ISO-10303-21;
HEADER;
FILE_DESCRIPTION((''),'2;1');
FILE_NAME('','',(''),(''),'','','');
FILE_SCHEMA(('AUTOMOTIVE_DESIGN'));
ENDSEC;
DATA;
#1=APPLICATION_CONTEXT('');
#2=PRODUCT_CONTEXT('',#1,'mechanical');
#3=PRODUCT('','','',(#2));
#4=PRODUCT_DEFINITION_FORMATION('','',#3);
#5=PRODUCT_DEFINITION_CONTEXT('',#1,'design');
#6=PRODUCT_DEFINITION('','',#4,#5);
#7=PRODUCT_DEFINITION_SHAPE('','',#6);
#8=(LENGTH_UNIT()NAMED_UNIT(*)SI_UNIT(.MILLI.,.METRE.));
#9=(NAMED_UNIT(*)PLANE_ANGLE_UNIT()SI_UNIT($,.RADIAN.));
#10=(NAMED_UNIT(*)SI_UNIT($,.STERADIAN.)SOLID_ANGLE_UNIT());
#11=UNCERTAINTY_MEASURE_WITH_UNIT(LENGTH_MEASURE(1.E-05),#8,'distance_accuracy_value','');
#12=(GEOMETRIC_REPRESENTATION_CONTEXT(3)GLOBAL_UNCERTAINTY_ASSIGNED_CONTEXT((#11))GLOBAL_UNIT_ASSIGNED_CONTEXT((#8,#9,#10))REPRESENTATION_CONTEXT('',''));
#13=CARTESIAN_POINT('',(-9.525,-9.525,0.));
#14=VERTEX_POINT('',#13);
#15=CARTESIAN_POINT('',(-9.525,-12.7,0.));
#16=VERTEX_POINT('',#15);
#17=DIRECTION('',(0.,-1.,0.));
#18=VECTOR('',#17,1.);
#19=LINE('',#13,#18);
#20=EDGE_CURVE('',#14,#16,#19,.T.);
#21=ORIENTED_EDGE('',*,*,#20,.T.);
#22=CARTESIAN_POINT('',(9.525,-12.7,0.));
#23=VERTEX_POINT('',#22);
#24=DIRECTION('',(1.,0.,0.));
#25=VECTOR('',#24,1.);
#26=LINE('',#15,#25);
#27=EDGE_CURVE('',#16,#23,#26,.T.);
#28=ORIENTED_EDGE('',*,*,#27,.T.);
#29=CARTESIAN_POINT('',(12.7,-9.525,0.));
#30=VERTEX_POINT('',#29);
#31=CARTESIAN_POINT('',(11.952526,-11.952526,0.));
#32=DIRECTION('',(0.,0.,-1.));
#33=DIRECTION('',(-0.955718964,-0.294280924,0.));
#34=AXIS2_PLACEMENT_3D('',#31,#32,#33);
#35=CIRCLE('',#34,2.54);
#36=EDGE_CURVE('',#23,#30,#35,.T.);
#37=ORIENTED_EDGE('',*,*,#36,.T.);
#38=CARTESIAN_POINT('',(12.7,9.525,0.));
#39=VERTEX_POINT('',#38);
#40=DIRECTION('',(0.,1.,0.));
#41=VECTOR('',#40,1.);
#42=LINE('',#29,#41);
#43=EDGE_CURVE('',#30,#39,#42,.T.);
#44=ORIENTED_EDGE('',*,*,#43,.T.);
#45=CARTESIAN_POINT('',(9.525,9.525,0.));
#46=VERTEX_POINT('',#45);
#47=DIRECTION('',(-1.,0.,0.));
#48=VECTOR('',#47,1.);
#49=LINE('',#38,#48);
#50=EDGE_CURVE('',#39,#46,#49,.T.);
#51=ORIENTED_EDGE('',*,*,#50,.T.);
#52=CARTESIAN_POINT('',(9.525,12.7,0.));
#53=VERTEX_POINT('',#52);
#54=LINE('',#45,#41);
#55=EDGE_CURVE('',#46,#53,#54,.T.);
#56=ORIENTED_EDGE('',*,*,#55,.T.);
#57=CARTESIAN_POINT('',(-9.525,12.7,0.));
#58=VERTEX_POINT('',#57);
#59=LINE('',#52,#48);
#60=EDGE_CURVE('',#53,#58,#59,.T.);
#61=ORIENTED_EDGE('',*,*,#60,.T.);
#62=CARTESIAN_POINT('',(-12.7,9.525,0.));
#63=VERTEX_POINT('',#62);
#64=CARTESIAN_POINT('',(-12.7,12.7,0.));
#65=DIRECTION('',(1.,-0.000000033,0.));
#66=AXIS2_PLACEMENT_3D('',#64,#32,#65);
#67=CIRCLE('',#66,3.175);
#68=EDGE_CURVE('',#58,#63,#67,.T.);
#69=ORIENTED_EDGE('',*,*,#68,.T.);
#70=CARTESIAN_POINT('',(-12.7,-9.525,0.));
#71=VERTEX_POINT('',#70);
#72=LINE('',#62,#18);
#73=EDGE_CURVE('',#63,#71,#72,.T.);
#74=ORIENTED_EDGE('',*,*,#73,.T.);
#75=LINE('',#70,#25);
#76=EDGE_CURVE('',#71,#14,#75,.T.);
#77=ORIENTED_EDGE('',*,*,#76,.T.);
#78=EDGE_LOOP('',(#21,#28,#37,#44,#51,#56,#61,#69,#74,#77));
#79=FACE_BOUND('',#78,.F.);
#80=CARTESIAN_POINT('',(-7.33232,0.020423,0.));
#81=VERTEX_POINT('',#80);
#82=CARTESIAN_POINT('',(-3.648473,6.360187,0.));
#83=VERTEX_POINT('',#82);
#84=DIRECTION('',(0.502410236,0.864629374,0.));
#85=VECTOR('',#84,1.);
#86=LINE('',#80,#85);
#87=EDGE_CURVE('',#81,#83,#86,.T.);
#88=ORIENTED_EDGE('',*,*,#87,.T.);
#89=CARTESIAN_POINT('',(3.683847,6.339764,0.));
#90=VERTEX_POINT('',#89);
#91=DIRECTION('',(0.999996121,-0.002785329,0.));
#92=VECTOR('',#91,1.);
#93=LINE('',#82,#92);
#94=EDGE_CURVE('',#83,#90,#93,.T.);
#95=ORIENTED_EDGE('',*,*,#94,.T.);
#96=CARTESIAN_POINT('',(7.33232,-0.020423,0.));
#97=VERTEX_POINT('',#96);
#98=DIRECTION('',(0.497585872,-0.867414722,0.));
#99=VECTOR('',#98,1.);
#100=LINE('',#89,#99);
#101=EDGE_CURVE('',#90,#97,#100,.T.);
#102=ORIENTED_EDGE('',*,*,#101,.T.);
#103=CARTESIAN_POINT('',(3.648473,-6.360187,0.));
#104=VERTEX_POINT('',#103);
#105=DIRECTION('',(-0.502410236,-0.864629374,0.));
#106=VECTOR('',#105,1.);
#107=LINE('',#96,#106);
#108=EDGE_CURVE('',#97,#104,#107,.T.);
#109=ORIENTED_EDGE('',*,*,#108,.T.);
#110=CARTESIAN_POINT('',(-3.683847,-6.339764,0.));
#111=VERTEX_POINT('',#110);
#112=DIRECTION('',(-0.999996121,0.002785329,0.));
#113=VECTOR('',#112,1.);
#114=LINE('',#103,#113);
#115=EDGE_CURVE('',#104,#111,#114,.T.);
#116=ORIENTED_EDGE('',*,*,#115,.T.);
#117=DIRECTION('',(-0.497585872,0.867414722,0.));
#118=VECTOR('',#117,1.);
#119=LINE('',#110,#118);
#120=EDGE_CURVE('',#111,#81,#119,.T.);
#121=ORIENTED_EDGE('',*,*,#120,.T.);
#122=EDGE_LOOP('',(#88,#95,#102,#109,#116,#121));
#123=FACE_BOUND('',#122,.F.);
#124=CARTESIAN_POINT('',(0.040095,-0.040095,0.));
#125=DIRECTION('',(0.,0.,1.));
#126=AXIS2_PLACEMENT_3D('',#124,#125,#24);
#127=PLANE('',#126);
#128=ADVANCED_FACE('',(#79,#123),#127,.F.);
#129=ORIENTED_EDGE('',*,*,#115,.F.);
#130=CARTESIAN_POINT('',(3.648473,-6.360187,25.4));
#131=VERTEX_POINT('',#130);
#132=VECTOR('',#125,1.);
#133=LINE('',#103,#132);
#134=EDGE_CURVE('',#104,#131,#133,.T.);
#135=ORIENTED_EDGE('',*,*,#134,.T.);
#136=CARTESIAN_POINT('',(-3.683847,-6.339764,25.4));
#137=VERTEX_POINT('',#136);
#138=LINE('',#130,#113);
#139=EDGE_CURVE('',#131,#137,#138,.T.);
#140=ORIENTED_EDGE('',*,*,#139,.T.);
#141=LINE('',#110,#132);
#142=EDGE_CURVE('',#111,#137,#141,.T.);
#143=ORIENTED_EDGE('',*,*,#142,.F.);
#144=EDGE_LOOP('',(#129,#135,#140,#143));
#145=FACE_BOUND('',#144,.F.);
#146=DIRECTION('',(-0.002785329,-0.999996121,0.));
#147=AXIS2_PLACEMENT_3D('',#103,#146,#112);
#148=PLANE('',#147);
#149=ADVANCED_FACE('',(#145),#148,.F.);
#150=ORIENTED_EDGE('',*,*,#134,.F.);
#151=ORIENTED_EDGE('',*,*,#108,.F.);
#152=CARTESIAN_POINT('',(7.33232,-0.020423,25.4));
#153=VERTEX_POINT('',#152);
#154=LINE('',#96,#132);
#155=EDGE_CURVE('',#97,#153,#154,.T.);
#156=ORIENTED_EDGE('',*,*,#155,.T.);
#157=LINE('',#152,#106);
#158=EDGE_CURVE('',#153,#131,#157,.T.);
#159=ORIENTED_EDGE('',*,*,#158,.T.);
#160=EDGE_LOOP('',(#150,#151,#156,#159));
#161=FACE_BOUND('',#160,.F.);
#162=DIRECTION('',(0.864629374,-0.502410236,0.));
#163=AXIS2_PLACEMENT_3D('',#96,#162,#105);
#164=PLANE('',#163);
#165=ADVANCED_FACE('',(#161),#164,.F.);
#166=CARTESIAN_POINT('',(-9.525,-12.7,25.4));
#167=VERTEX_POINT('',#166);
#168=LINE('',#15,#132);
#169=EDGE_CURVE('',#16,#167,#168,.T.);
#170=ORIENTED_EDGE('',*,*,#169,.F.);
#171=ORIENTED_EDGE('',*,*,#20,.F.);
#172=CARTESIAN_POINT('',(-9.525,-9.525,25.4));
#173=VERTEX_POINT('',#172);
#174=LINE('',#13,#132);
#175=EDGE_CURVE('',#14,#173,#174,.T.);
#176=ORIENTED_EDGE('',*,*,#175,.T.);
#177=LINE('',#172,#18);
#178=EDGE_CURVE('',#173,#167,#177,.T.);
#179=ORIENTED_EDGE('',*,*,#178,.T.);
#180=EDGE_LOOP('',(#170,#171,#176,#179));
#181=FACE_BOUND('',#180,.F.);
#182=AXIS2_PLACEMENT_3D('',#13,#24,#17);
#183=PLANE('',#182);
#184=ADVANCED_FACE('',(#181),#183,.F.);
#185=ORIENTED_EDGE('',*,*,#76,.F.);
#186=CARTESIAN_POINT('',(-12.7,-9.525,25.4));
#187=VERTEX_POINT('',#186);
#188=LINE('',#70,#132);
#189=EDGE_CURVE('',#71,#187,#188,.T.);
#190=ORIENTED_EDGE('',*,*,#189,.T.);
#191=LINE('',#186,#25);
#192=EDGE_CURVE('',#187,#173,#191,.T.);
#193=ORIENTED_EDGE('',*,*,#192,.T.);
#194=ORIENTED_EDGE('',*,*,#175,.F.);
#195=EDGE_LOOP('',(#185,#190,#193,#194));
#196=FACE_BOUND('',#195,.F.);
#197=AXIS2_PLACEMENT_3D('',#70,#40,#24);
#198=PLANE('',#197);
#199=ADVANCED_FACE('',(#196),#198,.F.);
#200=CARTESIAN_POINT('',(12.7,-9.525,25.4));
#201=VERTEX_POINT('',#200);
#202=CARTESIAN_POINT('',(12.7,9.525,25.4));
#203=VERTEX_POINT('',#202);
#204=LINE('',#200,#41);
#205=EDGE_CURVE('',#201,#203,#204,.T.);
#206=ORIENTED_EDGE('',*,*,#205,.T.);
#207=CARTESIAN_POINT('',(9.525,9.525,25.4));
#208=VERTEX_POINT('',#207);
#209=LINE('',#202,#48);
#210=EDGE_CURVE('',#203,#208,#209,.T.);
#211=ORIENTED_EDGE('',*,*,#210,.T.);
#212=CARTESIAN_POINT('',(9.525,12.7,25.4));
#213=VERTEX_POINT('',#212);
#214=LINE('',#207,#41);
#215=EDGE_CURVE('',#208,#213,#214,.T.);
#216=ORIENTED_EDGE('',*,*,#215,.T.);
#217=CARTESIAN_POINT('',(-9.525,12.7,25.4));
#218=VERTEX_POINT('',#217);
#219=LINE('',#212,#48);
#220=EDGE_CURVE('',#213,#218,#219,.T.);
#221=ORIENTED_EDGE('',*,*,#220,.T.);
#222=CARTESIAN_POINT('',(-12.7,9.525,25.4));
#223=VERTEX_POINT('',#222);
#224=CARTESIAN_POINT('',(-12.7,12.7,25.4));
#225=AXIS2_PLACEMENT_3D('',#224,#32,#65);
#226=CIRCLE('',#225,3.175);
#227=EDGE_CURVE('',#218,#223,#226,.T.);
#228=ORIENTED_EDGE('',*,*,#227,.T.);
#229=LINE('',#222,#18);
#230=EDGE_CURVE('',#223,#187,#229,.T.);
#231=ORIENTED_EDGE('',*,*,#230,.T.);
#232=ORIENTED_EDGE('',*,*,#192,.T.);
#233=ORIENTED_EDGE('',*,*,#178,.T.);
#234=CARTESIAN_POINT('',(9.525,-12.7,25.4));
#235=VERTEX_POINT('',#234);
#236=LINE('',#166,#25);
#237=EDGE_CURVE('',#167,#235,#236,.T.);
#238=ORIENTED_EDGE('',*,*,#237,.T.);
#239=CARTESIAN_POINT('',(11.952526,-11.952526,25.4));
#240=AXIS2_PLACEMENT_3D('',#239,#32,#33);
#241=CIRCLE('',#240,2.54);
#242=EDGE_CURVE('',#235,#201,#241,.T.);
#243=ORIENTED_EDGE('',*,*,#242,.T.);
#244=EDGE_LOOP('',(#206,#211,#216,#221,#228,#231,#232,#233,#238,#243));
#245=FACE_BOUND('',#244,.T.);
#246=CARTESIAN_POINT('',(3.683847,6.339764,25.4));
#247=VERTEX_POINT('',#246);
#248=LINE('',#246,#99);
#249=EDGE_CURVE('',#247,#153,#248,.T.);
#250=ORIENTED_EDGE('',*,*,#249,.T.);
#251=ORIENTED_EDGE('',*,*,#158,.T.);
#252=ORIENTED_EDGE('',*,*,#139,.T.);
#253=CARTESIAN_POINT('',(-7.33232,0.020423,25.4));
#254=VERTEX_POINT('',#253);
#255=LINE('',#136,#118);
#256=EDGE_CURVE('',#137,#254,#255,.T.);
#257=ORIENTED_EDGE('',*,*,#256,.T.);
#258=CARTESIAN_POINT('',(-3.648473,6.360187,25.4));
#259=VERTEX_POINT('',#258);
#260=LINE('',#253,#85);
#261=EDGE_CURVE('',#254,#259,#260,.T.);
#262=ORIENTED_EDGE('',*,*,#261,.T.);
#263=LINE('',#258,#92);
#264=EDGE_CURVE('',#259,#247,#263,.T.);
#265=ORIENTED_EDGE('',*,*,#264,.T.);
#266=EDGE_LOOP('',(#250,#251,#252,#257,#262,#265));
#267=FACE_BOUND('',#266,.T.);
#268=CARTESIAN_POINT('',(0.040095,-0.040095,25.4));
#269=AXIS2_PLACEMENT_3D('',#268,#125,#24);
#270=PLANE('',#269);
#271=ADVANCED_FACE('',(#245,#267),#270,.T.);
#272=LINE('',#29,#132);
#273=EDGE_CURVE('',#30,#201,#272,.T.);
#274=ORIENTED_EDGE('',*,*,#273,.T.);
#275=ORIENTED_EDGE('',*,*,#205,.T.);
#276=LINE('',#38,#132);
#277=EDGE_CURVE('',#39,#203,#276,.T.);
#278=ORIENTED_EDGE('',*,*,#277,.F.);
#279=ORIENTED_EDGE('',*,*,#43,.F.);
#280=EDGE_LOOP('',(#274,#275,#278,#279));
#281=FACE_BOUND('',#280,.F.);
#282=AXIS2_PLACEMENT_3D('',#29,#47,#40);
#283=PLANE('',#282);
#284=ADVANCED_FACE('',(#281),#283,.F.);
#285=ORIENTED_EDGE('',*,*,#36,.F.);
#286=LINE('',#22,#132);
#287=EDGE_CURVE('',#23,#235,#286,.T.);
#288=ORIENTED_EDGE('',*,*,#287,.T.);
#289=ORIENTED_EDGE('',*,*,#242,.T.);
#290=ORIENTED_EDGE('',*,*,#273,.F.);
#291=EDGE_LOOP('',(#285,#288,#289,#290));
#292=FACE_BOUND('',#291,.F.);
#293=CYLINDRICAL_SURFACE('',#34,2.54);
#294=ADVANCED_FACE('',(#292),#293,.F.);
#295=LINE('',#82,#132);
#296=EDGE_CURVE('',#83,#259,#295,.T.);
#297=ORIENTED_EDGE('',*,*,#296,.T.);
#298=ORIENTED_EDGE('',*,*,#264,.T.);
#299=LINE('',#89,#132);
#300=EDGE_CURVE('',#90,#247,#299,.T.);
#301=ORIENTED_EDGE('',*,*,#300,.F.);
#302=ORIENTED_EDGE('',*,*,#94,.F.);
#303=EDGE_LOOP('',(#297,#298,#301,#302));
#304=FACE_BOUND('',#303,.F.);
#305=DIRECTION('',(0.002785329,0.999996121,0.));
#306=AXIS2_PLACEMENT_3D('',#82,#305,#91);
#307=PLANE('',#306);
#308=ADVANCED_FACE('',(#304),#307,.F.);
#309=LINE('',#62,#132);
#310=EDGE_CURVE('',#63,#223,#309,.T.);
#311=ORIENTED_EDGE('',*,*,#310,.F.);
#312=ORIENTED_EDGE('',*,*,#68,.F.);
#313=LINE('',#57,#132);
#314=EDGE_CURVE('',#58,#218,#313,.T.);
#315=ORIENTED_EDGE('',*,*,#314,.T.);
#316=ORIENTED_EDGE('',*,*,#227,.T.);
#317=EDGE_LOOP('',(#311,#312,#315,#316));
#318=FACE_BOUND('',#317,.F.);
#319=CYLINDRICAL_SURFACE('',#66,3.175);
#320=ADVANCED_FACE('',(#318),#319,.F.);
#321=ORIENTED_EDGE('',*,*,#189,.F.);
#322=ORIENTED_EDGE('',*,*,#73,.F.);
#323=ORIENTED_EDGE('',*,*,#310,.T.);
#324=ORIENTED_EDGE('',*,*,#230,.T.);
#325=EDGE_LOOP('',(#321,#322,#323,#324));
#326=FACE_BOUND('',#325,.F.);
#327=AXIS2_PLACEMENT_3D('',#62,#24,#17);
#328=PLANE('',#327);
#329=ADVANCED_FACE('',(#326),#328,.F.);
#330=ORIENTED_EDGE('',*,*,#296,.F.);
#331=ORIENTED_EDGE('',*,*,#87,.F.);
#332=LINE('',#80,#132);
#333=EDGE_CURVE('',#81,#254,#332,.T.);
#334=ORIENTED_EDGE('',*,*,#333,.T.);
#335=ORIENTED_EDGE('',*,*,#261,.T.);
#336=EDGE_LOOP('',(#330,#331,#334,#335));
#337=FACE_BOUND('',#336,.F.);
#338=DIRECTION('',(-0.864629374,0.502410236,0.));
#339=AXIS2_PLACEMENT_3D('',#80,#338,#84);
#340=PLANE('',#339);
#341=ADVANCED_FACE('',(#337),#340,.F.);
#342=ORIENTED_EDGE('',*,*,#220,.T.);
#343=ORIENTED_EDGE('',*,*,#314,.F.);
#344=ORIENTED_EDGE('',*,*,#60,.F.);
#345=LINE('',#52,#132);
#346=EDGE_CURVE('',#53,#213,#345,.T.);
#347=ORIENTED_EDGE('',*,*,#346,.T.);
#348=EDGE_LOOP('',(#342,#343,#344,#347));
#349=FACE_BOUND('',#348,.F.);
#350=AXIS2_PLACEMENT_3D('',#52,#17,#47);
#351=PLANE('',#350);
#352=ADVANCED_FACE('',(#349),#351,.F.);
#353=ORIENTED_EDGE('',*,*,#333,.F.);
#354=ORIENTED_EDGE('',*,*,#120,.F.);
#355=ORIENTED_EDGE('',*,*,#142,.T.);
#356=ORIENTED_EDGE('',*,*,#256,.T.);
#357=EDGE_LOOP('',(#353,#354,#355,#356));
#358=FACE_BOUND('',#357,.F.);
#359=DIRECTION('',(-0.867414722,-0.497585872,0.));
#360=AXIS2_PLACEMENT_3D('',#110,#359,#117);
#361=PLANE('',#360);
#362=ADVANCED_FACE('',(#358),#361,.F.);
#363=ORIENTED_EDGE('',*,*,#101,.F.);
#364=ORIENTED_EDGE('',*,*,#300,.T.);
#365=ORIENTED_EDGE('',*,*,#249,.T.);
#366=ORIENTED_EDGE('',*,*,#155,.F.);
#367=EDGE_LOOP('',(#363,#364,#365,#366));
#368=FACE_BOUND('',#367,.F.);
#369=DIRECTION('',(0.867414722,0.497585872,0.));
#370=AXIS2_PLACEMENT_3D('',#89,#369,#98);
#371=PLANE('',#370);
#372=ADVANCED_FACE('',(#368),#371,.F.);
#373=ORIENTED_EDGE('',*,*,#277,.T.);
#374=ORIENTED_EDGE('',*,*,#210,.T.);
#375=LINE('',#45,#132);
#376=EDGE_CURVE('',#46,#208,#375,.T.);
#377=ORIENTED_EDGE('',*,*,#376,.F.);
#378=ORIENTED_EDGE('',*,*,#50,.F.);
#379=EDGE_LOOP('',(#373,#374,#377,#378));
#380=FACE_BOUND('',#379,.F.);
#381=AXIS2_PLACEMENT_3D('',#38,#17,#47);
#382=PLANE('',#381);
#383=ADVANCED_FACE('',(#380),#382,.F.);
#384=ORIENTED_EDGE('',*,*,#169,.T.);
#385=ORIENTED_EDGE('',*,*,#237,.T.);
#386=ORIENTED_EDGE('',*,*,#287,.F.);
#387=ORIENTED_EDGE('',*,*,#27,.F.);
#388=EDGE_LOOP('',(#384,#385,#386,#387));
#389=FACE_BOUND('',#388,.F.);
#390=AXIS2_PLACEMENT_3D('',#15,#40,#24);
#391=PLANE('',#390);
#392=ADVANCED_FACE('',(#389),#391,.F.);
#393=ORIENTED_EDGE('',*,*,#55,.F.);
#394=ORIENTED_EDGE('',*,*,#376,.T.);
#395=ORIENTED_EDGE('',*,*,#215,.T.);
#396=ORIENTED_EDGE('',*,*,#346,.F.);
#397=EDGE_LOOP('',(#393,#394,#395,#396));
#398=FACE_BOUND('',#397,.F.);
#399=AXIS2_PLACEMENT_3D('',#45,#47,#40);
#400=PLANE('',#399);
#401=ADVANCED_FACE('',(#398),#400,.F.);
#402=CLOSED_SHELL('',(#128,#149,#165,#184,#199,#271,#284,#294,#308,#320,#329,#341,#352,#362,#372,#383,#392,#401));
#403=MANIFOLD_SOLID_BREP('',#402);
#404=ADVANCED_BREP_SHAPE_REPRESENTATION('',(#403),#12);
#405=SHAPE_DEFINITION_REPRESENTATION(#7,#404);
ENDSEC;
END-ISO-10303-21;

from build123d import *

# Parameters (mm, degrees)
F1_DEPTH = 25.4


with BuildPart() as f1:
    # F0 (on Top) → F1 (new body)
    with BuildSketch(Plane.XY):
        with BuildLine():
            Line((9.525, 12.7), (-9.525, 12.7))
            ThreePointArc((-9.525, 12.7), (-10.454936, 10.454936), (-12.7, 9.525))
            Line((-12.7, 9.525), (-12.7, -9.525))
            Line((-12.7, -9.525), (-9.525, -9.525))
            Line((-9.525, -9.525), (-9.525, -12.7))
            Line((-9.525, -12.7), (9.525, -12.7))
            ThreePointArc((9.525, -12.7), (10.156475, -10.156475), (12.7, -9.525))
            Line((12.7, -9.525), (12.7, 9.525))
            Line((12.7, 9.525), (9.525, 9.525))
            Line((9.525, 9.525), (9.525, 12.7))
        make_face()
        Polygon((-3.648473, 6.360187), (3.683847, 6.339764), (7.33232, -0.020423), (3.648473, -6.360187), (-3.683847, -6.339764), (-7.33232, 0.020423), align=None, mode=Mode.SUBTRACT)
    extrude(amount=F1_DEPTH)


solid = f1.part
